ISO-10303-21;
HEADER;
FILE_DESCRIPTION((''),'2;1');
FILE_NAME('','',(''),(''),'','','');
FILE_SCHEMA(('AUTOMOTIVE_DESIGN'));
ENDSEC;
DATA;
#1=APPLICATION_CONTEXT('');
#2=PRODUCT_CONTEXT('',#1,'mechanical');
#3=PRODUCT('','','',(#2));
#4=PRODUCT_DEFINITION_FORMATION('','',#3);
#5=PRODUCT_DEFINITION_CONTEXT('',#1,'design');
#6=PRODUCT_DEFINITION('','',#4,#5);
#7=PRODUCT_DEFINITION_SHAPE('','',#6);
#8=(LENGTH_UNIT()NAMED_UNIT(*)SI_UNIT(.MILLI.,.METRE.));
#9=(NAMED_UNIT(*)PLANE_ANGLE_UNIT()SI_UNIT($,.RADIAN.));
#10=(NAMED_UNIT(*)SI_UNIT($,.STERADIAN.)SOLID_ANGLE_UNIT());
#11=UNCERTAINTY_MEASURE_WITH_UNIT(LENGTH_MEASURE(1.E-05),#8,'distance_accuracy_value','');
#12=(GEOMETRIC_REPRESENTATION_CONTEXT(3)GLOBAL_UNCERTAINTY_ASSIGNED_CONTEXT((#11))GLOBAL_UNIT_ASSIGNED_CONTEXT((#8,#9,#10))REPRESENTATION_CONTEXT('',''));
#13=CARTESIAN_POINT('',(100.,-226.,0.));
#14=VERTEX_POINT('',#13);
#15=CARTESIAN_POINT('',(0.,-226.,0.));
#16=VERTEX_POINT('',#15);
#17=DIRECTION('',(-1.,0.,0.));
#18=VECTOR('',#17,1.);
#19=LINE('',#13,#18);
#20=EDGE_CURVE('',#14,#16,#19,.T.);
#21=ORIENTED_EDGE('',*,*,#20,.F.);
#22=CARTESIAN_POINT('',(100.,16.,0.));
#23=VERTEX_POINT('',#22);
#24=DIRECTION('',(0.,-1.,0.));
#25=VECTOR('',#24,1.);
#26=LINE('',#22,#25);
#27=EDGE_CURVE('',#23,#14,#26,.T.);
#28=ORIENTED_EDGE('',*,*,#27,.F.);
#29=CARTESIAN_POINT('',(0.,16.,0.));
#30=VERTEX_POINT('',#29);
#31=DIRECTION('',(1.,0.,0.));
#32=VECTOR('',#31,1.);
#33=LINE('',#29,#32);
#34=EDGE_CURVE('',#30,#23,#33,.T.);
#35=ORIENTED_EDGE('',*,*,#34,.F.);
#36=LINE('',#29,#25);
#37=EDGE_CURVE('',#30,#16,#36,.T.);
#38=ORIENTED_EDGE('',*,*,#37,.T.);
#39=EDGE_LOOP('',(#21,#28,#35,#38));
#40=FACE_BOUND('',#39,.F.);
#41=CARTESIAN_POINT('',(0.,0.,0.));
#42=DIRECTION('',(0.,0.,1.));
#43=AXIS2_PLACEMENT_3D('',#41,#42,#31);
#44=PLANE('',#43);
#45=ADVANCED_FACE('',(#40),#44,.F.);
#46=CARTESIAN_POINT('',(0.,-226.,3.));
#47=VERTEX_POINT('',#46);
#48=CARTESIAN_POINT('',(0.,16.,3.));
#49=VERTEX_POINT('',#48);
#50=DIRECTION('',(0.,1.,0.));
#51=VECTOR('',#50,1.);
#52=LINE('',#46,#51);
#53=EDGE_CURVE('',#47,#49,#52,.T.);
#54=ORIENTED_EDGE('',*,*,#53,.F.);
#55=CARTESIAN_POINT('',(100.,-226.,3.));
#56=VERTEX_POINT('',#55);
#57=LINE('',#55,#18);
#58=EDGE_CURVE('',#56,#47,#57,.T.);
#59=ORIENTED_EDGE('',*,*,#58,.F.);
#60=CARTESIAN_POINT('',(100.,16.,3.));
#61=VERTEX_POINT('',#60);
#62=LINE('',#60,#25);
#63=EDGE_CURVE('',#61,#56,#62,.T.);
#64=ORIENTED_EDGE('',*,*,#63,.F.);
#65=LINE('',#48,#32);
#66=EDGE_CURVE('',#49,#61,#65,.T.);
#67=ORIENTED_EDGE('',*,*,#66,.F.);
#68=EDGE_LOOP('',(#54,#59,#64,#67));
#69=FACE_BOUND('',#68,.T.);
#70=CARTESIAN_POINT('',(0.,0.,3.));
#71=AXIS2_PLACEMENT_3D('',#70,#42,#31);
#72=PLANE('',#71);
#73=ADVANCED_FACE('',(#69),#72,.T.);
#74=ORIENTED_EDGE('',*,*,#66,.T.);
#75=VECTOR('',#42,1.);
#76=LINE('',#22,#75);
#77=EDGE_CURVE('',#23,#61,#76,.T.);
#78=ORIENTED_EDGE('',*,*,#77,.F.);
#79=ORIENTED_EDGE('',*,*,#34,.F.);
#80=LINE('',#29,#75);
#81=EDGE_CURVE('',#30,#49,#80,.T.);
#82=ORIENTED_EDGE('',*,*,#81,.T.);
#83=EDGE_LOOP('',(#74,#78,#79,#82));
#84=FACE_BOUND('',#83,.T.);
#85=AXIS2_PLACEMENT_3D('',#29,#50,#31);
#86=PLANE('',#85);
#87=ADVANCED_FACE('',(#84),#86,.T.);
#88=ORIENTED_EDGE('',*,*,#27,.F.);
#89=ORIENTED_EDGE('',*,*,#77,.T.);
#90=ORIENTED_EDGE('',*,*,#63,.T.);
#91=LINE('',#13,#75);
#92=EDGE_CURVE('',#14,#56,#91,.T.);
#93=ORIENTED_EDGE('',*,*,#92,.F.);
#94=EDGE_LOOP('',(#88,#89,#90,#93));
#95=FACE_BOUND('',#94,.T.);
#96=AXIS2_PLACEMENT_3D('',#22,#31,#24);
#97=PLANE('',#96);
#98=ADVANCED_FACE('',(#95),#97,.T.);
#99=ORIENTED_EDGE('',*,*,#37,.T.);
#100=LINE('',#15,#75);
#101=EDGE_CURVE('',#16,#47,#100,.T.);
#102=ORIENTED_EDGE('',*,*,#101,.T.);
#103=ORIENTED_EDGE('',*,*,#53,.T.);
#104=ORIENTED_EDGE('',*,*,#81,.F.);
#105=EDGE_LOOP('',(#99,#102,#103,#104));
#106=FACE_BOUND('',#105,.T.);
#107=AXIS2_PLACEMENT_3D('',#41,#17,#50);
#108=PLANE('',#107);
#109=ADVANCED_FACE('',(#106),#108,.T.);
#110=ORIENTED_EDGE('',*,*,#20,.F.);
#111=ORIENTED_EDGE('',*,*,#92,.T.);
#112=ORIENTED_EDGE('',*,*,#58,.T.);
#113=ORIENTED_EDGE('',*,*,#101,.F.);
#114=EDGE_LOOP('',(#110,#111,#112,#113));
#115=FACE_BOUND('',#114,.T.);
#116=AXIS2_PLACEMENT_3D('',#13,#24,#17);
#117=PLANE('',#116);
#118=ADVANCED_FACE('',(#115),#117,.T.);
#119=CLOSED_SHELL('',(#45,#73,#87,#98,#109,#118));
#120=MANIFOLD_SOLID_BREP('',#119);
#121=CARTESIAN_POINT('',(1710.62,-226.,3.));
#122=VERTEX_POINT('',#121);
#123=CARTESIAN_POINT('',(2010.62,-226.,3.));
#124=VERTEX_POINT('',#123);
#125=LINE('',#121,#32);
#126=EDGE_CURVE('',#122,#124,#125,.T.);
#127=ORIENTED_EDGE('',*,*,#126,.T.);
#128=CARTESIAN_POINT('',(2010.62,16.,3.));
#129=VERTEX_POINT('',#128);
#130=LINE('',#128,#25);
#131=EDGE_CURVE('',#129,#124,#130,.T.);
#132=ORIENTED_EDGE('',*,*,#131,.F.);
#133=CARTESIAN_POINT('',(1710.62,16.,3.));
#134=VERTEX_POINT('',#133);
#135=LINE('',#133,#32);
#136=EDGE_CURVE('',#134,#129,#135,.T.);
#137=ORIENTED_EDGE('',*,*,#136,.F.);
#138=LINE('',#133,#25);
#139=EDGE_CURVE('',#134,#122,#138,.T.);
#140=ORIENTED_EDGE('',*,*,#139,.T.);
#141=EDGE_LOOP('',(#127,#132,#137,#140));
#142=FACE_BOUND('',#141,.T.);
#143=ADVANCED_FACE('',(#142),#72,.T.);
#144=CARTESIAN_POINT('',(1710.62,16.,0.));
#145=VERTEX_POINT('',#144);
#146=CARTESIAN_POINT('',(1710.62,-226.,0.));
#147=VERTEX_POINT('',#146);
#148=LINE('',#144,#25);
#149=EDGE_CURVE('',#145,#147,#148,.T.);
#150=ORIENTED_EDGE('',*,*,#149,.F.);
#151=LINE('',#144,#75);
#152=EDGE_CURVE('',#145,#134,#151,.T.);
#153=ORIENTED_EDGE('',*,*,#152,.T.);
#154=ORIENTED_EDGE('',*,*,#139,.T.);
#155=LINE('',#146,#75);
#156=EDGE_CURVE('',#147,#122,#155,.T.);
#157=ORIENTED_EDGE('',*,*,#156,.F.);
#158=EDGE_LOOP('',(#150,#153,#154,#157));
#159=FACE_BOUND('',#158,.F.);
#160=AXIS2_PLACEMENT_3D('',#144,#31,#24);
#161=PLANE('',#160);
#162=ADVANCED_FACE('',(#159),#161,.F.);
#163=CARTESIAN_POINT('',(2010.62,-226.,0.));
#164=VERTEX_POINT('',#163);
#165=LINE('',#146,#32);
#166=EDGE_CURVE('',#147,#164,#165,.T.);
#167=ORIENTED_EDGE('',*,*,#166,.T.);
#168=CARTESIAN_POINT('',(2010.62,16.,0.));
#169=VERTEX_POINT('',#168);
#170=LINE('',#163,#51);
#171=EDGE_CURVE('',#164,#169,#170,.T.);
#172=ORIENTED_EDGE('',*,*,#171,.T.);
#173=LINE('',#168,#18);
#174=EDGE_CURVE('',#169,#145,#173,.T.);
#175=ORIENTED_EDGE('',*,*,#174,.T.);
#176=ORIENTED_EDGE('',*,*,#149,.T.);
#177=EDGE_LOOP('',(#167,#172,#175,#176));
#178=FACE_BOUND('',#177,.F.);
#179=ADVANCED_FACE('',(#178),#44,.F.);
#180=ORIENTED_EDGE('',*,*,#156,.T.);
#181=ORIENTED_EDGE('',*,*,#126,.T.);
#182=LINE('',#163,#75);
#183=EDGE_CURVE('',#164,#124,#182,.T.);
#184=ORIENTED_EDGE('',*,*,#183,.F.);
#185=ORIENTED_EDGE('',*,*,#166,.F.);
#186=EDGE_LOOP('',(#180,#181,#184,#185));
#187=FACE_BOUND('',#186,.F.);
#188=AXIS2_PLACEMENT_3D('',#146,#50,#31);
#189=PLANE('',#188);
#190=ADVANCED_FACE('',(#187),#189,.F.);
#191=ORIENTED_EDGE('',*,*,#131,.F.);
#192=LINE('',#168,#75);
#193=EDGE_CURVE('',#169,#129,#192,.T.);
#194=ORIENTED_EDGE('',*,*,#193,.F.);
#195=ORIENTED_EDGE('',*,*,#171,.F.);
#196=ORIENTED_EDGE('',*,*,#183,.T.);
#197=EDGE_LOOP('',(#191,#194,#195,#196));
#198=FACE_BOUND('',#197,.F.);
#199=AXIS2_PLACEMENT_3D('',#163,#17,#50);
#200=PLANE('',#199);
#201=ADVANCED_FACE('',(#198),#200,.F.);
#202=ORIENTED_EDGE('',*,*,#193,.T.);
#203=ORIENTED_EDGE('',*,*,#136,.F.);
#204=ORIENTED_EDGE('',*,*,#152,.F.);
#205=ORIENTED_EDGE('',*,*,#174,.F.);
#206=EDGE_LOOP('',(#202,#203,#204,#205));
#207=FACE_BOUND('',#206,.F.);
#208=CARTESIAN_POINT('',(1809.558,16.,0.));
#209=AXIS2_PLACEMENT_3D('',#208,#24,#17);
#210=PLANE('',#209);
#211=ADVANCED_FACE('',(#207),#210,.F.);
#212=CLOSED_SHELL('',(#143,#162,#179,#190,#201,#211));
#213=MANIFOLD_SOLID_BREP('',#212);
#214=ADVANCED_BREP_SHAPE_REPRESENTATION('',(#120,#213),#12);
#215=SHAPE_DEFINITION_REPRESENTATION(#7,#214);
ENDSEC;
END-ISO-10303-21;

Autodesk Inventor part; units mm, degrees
ref_plane "YZ Plane" through (0, 0, 0) normal (1, 0, 0) x (0, 1, 0)
ref_plane "XZ Plane" through (0, 0, 0) normal (0, 1, 0) x (-1, 0, 0)
ref_plane "XY Plane" through (0, 0, 0) normal (0, 0, 1) x (1, 0, 0)
ref_plane "РабПлоскость1" through (0, 0, 0) normal (0, 0, 1) x (1, 0, 0)
sketch "Эскиз1" plane through (0, 0, 0) normal (0, 0, 1) x (1, 0, 0)
  line L0 (0, 0) -> (0, 16) projected
  line L1 (0, 16) -> (201.062, 16) projected
  line L2 (0, 16) -> (100, 16)
  line L3 (100, 16) -> (100, -226)
  line L4 (100, -226) -> (0, -226)
  line L5 (0, -226) -> (0, 16)
  line L6 (2010.62, 0) -> (2010.62, 16) projected
  line L7 (1809.558, 16) -> (2010.62, 16) projected
  line L8 (2010.62, 16) -> (1710.62, 16)
  line L9 (1710.62, 16) -> (1710.62, -226)
  line L10 (1710.62, -226) -> (2010.62, -226)
  line L11 (2010.62, -226) -> (2010.62, 16)
  dimension "d0" = 242
  dimension "d1" = 100
  dimension "d2" = 242
  dimension "d3" = 300
extrude "Выдавливание1" add sketch "Эскиз1" along normal blind 3
properties part number "пол1"
